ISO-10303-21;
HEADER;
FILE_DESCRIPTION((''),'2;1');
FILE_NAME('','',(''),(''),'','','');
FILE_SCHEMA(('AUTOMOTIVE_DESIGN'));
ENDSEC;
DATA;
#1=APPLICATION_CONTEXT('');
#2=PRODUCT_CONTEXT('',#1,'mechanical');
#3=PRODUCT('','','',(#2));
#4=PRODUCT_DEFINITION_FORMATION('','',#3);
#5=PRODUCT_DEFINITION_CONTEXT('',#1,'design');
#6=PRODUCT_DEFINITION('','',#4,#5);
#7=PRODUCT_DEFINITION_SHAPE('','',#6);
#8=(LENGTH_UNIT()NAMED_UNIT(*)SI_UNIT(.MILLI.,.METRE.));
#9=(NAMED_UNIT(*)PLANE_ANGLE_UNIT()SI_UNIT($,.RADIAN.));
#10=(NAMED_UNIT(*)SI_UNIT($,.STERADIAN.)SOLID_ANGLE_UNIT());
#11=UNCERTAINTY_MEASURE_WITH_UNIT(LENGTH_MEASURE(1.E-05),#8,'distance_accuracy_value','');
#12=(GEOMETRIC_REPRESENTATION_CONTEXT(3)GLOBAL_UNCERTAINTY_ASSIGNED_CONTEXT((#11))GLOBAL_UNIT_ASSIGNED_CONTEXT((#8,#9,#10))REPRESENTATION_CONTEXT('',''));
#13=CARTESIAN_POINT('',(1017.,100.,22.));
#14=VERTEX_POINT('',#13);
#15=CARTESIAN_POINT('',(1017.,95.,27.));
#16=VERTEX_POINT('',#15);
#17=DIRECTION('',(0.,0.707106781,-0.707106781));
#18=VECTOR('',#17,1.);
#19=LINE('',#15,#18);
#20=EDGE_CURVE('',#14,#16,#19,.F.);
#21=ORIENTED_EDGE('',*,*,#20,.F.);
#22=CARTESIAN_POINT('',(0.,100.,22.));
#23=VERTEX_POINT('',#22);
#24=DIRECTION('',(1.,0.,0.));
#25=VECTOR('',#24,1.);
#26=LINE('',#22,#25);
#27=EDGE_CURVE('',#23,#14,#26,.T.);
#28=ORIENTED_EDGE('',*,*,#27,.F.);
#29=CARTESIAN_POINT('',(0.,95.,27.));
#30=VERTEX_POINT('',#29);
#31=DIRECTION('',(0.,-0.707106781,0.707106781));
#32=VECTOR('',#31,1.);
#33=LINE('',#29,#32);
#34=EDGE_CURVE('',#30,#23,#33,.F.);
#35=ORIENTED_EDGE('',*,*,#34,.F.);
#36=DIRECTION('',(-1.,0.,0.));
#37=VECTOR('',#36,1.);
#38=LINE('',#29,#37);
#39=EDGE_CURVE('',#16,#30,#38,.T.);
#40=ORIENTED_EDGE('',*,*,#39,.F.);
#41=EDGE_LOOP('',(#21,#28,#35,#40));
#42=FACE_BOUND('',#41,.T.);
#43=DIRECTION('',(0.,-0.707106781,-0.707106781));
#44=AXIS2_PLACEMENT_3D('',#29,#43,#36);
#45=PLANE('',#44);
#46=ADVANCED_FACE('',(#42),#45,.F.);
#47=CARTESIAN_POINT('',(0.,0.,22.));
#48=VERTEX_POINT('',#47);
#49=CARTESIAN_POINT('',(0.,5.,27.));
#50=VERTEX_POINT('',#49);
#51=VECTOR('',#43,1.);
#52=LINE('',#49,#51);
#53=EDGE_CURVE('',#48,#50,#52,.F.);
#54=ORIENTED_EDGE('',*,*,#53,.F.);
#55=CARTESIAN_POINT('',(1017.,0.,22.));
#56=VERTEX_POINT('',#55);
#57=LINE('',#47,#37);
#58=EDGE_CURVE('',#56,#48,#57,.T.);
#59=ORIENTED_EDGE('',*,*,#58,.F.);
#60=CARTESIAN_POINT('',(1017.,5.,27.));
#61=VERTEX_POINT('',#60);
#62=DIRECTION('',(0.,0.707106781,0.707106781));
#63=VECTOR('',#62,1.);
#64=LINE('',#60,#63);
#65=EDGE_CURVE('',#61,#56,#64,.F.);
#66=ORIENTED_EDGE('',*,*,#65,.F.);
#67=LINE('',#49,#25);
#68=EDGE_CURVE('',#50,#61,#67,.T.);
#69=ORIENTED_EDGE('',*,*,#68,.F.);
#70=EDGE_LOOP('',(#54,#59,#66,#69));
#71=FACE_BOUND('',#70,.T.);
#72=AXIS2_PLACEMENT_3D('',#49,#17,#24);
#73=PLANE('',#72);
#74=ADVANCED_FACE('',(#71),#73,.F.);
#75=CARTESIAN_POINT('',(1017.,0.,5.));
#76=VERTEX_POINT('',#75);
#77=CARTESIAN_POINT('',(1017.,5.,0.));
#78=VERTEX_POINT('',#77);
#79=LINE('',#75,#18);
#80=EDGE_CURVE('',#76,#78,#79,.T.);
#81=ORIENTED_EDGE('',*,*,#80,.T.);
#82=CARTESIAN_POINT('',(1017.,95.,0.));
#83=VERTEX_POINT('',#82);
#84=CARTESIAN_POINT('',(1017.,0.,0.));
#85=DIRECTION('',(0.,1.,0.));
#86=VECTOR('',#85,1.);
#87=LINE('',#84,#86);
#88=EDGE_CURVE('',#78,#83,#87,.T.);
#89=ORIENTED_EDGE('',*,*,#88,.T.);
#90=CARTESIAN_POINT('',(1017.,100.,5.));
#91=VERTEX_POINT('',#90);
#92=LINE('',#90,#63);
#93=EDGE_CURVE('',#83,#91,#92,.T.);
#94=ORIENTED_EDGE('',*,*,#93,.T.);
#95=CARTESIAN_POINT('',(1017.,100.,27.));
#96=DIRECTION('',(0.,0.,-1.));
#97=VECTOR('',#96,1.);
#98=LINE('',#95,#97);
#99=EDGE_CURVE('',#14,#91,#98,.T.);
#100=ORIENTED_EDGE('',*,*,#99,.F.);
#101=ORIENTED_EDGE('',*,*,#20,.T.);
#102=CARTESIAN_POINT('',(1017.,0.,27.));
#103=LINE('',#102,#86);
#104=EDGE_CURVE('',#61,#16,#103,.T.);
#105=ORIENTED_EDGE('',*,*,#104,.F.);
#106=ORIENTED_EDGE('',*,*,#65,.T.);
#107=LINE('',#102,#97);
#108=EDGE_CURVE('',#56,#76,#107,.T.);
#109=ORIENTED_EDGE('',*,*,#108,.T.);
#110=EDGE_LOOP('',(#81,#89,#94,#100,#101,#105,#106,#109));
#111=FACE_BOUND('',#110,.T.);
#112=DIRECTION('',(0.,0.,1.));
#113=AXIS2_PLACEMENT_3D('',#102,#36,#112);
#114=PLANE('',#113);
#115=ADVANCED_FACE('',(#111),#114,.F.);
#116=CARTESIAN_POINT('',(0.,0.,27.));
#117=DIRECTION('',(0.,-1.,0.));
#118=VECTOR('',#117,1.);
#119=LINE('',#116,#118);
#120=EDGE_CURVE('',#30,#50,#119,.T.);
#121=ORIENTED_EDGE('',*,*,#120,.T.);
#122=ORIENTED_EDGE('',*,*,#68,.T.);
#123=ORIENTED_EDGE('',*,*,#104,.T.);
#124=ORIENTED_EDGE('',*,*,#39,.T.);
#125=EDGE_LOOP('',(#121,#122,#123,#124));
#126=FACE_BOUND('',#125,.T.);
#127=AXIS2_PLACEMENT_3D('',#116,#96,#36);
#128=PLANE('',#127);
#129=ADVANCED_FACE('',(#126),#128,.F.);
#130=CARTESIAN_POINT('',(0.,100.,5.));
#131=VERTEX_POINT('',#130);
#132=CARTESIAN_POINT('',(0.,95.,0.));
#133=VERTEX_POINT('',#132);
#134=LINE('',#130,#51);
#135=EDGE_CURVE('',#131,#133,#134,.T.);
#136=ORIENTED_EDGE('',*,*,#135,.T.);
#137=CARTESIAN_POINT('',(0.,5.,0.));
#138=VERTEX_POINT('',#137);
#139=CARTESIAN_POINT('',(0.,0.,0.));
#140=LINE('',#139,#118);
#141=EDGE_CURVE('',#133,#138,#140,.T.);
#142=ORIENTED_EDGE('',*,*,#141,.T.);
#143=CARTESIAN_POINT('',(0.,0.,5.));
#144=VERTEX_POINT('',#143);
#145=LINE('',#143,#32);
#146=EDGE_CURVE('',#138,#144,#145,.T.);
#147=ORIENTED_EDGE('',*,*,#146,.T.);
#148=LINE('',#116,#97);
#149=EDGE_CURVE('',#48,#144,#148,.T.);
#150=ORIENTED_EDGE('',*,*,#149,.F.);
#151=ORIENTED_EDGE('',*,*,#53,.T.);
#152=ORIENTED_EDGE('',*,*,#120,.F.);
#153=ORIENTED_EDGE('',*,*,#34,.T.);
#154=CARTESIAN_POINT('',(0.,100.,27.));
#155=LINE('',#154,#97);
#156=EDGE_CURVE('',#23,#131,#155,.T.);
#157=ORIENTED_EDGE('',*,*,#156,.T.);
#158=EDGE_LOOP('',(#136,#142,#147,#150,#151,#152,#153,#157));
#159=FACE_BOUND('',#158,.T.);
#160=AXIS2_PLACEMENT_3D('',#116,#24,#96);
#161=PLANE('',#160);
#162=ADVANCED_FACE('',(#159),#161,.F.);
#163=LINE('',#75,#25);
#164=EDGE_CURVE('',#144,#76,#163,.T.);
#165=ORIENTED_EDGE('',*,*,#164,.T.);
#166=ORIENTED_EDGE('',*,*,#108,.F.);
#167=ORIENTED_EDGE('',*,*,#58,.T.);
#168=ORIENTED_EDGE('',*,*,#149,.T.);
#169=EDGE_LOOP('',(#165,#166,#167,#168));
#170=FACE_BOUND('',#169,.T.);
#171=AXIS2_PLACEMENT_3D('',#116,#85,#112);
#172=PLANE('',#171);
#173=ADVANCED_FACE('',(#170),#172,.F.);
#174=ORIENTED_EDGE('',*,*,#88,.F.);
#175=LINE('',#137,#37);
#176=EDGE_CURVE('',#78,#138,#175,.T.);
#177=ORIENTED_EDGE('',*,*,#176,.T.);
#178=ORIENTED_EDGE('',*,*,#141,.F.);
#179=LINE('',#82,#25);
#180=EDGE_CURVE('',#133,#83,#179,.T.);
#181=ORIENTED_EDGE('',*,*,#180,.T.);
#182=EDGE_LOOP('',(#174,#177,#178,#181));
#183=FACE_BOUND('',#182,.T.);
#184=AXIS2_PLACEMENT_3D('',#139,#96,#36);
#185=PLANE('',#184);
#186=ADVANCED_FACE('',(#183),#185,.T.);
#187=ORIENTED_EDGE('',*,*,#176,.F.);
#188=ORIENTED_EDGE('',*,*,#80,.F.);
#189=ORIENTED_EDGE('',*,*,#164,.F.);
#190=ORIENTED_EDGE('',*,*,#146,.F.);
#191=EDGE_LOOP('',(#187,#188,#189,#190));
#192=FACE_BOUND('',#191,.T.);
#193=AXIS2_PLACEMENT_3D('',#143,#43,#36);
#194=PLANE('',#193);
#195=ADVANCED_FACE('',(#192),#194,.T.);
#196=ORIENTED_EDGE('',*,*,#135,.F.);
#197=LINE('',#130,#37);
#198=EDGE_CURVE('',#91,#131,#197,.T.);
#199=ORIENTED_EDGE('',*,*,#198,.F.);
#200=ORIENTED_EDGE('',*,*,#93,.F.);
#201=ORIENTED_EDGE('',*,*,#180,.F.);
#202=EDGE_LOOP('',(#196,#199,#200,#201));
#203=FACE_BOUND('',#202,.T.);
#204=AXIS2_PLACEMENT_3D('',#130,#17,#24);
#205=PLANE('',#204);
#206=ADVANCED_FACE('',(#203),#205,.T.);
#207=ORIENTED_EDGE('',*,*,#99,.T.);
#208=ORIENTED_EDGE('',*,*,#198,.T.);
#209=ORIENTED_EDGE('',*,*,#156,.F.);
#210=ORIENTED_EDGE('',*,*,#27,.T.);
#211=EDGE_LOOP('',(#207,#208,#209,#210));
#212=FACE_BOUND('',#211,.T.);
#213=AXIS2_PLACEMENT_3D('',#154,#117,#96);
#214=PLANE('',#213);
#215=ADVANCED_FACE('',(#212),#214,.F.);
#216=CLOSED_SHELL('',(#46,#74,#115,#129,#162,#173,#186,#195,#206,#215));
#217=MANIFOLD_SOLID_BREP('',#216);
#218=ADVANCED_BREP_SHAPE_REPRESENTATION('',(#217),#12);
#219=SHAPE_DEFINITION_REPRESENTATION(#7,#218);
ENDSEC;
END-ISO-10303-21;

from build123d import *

# Parameters (mm, degrees)
ESQUISSE1_W        = 1017
ESQUISSE1_H        = 100
BOSS_EXTRU_1_DEPTH = 27
CHANFREIN1_SIZE    = 5


with BuildPart() as part:
    # Esquisse1 → Boss.-Extru.1 (new body)
    with BuildSketch(Plane.XY):
        with Locations((508.5, 50)):
            Rectangle(ESQUISSE1_W, ESQUISSE1_H)
    extrude(amount=BOSS_EXTRU_1_DEPTH)

    # Chanfrein1
    chanfrein1_edges = [part.edges().sort_by_distance(p)[0] for p in [
        (508.5, 100, 27),
        (508.5, 100, 0),
        (508.5, 0, 0),
        (508.5, 0, 27),
    ]]
    chamfer(chanfrein1_edges, length=CHANFREIN1_SIZE)


solid = part.part
